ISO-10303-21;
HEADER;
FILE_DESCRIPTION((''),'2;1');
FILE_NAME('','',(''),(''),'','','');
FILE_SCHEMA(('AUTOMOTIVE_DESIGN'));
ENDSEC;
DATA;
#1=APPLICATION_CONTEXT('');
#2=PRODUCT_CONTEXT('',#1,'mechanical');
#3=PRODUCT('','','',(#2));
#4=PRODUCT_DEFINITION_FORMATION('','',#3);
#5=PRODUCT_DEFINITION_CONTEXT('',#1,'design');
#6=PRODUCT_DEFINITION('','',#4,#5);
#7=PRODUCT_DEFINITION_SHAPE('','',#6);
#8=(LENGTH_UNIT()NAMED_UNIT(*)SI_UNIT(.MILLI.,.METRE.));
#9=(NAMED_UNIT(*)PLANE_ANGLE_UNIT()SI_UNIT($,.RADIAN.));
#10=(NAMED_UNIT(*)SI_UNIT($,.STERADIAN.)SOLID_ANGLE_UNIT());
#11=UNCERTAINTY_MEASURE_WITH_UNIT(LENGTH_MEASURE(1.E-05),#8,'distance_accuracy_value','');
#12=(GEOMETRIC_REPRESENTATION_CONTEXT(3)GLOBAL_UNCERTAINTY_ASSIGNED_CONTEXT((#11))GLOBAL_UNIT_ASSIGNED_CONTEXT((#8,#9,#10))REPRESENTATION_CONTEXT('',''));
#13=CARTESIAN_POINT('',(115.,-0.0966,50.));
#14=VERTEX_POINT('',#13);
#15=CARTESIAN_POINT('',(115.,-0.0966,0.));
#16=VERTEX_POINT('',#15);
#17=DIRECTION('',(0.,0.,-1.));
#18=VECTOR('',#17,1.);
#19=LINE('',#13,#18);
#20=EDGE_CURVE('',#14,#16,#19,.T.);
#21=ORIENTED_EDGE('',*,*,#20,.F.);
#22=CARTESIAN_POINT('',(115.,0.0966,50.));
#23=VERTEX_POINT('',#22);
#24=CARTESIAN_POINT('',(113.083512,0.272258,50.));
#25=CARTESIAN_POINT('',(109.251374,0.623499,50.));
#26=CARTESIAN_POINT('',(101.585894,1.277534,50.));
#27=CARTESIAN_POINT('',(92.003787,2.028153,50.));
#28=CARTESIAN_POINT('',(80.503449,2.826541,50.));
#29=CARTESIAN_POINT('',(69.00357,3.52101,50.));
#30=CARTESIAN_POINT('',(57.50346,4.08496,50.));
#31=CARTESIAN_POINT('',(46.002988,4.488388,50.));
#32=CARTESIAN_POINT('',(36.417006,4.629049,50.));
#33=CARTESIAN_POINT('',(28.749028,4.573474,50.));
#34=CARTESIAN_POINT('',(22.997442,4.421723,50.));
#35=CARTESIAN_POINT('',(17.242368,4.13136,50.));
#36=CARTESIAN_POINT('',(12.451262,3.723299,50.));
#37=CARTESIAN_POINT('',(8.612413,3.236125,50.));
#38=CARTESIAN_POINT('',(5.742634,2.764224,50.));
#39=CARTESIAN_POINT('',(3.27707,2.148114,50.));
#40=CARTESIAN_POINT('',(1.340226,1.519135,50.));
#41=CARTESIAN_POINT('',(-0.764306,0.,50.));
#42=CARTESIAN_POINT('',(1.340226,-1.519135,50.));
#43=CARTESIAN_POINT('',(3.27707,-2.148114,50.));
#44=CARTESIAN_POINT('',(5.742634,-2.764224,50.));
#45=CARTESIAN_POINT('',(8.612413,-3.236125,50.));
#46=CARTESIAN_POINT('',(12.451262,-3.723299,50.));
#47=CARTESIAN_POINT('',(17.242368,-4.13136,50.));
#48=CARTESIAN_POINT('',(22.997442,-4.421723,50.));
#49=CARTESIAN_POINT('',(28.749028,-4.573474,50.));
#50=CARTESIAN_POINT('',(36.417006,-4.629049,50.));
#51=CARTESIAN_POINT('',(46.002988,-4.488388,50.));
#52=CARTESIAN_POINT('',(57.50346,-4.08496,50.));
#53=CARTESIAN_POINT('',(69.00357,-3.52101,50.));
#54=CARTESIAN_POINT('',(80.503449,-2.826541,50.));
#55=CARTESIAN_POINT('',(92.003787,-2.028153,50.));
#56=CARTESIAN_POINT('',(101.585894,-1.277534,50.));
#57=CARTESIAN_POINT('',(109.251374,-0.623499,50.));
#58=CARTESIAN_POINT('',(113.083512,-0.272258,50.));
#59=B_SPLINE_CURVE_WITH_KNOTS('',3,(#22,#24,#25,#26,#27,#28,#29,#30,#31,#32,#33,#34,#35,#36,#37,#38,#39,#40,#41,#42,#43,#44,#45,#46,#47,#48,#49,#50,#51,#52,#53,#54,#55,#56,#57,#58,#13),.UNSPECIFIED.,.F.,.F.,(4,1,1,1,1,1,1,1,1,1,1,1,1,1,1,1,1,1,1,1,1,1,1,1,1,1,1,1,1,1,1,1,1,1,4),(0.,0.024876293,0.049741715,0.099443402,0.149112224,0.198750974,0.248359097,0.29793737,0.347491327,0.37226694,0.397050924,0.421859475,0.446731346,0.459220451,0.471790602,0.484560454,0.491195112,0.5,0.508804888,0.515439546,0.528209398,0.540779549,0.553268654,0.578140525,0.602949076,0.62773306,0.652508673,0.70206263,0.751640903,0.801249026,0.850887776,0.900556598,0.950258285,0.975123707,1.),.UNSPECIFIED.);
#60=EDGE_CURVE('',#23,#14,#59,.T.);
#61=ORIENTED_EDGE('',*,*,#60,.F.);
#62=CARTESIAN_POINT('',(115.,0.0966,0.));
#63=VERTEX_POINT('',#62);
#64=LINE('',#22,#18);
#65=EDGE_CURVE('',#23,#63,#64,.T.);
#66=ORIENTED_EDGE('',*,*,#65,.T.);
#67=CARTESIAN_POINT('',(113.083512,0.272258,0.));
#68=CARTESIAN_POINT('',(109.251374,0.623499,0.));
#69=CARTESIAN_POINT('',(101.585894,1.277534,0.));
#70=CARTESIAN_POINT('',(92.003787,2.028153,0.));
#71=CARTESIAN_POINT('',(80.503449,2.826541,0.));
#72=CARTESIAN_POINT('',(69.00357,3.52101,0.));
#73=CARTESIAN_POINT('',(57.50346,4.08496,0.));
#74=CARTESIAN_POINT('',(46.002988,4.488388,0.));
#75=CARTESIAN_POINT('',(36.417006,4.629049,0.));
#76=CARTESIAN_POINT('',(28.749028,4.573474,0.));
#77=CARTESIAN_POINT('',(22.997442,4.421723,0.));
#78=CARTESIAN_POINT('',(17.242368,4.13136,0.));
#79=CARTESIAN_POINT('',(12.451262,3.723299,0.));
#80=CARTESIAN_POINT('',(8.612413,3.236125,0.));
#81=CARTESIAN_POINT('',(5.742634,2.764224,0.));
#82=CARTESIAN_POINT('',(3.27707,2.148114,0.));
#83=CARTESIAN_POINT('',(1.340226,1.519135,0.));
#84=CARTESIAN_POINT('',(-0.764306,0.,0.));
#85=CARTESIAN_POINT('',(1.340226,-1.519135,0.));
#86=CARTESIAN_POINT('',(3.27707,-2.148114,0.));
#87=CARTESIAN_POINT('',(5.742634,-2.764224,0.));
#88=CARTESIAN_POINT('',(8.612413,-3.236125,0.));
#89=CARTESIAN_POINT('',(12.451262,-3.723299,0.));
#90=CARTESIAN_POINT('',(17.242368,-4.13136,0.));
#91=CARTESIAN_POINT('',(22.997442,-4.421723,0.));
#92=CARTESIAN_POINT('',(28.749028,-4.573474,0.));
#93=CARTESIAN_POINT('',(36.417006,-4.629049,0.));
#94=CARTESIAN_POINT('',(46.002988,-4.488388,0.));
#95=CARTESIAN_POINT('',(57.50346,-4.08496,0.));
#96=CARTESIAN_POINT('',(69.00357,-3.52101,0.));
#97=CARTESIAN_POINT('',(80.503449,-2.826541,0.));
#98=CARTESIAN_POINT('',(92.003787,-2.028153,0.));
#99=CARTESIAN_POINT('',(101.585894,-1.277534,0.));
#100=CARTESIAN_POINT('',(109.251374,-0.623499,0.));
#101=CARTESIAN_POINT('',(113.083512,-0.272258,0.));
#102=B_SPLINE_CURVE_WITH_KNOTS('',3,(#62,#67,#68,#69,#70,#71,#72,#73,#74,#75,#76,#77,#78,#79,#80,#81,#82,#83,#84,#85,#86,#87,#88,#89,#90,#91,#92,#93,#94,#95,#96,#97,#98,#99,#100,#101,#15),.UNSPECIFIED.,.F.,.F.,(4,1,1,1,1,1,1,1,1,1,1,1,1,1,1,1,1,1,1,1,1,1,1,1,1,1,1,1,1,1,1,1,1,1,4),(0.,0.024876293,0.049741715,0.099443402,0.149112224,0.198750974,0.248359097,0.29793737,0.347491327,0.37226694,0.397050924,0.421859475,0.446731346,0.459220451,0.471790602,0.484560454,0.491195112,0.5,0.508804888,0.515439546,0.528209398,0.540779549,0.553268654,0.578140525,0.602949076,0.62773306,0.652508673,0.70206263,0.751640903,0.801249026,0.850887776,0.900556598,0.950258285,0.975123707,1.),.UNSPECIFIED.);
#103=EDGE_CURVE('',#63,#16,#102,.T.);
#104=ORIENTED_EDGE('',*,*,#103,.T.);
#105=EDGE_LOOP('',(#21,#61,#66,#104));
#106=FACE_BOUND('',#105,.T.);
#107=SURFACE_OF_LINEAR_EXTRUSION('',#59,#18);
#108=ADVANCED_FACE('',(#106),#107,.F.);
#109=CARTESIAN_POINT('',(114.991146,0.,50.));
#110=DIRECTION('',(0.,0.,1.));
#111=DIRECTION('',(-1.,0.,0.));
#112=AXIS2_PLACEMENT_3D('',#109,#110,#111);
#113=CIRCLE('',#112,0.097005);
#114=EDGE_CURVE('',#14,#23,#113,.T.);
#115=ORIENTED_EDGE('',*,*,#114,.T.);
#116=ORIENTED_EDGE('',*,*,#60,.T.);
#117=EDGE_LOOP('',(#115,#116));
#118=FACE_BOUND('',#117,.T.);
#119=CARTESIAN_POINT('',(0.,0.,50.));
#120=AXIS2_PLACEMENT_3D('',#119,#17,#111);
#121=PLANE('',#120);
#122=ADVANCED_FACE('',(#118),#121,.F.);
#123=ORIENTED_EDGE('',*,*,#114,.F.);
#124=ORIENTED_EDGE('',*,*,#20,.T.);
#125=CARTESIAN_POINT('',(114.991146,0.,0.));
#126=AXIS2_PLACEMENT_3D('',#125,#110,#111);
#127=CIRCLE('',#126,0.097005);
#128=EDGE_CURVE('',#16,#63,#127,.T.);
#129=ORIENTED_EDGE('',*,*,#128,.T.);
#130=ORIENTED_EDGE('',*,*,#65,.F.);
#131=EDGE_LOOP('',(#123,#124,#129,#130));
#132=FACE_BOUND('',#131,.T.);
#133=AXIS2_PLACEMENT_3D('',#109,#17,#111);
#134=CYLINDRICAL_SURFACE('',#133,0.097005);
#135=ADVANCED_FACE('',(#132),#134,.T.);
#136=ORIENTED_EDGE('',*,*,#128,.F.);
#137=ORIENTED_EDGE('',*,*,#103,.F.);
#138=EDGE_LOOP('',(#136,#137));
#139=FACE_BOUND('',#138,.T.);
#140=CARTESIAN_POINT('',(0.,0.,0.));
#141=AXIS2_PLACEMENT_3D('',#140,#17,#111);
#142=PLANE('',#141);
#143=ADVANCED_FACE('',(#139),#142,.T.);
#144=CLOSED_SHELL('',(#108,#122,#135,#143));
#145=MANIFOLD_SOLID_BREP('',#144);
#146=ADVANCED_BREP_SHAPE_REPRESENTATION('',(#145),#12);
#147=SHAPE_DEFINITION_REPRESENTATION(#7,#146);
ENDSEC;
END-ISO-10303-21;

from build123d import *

# Parameters (mm, degrees)
BOSS_EXTRUDE1_DEPTH = 50


with BuildPart() as part:
    # Sketch4 → Boss-Extrude1 (new body)
    with BuildSketch(Plane.XY):
        with BuildLine():
            ThreePointArc((115, 0.0966), (115.088150903, 0), (115, -0.0966))
            add(Edge.make_bspline(
                [(115, 0.0966), (113.083512137, 0.272258452), (109.251373934, 0.623498592), (101.585893564, 1.277533827), (92.00378736, 2.028152644), (80.503448773, 2.826540946), (69.003570319, 3.521009882), (57.503459891, 4.084960093), (46.002988341, 4.488388468), (36.417005709, 4.629049173), (28.74902779, 4.57347386), (22.997441925, 4.421722858), (17.242367601, 4.131360002), (12.451261675, 3.723299316), (8.612412546, 3.236124572), (5.742633848, 2.764224018), (3.277070291, 2.148114318), (1.340225528, 1.51913534), (-0.764305852, 0), (1.340225528, -1.51913534), (3.277070291, -2.148114318), (5.742633848, -2.764224018), (8.612412546, -3.236124572), (12.451261675, -3.723299316), (17.242367601, -4.131360002), (22.997441925, -4.421722858), (28.74902779, -4.57347386), (36.417005709, -4.629049173), (46.002988341, -4.488388468), (57.503459891, -4.084960093), (69.003570319, -3.521009882), (80.503448773, -2.826540946), (92.00378736, -2.028152644), (101.585893564, -1.277533827), (109.251373934, -0.623498592), (113.083512137, -0.272258452), (115, -0.0966)],
                knots=[0, 0, 0, 0, 0.024876293, 0.049741715, 0.099443402, 0.149112224, 0.198750974, 0.248359097, 0.29793737, 0.347491327, 0.37226694, 0.397050924, 0.421859475, 0.446731346, 0.459220451, 0.471790602, 0.484560454, 0.491195112, 0.5, 0.508804888, 0.515439546, 0.528209398, 0.540779549, 0.553268654, 0.578140525, 0.602949076, 0.62773306, 0.652508673, 0.70206263, 0.751640903, 0.801249026, 0.850887776, 0.900556598, 0.950258285, 0.975123707, 1, 1, 1, 1], degree=3))
        make_face()
    extrude(amount=BOSS_EXTRUDE1_DEPTH)


solid = part.part
